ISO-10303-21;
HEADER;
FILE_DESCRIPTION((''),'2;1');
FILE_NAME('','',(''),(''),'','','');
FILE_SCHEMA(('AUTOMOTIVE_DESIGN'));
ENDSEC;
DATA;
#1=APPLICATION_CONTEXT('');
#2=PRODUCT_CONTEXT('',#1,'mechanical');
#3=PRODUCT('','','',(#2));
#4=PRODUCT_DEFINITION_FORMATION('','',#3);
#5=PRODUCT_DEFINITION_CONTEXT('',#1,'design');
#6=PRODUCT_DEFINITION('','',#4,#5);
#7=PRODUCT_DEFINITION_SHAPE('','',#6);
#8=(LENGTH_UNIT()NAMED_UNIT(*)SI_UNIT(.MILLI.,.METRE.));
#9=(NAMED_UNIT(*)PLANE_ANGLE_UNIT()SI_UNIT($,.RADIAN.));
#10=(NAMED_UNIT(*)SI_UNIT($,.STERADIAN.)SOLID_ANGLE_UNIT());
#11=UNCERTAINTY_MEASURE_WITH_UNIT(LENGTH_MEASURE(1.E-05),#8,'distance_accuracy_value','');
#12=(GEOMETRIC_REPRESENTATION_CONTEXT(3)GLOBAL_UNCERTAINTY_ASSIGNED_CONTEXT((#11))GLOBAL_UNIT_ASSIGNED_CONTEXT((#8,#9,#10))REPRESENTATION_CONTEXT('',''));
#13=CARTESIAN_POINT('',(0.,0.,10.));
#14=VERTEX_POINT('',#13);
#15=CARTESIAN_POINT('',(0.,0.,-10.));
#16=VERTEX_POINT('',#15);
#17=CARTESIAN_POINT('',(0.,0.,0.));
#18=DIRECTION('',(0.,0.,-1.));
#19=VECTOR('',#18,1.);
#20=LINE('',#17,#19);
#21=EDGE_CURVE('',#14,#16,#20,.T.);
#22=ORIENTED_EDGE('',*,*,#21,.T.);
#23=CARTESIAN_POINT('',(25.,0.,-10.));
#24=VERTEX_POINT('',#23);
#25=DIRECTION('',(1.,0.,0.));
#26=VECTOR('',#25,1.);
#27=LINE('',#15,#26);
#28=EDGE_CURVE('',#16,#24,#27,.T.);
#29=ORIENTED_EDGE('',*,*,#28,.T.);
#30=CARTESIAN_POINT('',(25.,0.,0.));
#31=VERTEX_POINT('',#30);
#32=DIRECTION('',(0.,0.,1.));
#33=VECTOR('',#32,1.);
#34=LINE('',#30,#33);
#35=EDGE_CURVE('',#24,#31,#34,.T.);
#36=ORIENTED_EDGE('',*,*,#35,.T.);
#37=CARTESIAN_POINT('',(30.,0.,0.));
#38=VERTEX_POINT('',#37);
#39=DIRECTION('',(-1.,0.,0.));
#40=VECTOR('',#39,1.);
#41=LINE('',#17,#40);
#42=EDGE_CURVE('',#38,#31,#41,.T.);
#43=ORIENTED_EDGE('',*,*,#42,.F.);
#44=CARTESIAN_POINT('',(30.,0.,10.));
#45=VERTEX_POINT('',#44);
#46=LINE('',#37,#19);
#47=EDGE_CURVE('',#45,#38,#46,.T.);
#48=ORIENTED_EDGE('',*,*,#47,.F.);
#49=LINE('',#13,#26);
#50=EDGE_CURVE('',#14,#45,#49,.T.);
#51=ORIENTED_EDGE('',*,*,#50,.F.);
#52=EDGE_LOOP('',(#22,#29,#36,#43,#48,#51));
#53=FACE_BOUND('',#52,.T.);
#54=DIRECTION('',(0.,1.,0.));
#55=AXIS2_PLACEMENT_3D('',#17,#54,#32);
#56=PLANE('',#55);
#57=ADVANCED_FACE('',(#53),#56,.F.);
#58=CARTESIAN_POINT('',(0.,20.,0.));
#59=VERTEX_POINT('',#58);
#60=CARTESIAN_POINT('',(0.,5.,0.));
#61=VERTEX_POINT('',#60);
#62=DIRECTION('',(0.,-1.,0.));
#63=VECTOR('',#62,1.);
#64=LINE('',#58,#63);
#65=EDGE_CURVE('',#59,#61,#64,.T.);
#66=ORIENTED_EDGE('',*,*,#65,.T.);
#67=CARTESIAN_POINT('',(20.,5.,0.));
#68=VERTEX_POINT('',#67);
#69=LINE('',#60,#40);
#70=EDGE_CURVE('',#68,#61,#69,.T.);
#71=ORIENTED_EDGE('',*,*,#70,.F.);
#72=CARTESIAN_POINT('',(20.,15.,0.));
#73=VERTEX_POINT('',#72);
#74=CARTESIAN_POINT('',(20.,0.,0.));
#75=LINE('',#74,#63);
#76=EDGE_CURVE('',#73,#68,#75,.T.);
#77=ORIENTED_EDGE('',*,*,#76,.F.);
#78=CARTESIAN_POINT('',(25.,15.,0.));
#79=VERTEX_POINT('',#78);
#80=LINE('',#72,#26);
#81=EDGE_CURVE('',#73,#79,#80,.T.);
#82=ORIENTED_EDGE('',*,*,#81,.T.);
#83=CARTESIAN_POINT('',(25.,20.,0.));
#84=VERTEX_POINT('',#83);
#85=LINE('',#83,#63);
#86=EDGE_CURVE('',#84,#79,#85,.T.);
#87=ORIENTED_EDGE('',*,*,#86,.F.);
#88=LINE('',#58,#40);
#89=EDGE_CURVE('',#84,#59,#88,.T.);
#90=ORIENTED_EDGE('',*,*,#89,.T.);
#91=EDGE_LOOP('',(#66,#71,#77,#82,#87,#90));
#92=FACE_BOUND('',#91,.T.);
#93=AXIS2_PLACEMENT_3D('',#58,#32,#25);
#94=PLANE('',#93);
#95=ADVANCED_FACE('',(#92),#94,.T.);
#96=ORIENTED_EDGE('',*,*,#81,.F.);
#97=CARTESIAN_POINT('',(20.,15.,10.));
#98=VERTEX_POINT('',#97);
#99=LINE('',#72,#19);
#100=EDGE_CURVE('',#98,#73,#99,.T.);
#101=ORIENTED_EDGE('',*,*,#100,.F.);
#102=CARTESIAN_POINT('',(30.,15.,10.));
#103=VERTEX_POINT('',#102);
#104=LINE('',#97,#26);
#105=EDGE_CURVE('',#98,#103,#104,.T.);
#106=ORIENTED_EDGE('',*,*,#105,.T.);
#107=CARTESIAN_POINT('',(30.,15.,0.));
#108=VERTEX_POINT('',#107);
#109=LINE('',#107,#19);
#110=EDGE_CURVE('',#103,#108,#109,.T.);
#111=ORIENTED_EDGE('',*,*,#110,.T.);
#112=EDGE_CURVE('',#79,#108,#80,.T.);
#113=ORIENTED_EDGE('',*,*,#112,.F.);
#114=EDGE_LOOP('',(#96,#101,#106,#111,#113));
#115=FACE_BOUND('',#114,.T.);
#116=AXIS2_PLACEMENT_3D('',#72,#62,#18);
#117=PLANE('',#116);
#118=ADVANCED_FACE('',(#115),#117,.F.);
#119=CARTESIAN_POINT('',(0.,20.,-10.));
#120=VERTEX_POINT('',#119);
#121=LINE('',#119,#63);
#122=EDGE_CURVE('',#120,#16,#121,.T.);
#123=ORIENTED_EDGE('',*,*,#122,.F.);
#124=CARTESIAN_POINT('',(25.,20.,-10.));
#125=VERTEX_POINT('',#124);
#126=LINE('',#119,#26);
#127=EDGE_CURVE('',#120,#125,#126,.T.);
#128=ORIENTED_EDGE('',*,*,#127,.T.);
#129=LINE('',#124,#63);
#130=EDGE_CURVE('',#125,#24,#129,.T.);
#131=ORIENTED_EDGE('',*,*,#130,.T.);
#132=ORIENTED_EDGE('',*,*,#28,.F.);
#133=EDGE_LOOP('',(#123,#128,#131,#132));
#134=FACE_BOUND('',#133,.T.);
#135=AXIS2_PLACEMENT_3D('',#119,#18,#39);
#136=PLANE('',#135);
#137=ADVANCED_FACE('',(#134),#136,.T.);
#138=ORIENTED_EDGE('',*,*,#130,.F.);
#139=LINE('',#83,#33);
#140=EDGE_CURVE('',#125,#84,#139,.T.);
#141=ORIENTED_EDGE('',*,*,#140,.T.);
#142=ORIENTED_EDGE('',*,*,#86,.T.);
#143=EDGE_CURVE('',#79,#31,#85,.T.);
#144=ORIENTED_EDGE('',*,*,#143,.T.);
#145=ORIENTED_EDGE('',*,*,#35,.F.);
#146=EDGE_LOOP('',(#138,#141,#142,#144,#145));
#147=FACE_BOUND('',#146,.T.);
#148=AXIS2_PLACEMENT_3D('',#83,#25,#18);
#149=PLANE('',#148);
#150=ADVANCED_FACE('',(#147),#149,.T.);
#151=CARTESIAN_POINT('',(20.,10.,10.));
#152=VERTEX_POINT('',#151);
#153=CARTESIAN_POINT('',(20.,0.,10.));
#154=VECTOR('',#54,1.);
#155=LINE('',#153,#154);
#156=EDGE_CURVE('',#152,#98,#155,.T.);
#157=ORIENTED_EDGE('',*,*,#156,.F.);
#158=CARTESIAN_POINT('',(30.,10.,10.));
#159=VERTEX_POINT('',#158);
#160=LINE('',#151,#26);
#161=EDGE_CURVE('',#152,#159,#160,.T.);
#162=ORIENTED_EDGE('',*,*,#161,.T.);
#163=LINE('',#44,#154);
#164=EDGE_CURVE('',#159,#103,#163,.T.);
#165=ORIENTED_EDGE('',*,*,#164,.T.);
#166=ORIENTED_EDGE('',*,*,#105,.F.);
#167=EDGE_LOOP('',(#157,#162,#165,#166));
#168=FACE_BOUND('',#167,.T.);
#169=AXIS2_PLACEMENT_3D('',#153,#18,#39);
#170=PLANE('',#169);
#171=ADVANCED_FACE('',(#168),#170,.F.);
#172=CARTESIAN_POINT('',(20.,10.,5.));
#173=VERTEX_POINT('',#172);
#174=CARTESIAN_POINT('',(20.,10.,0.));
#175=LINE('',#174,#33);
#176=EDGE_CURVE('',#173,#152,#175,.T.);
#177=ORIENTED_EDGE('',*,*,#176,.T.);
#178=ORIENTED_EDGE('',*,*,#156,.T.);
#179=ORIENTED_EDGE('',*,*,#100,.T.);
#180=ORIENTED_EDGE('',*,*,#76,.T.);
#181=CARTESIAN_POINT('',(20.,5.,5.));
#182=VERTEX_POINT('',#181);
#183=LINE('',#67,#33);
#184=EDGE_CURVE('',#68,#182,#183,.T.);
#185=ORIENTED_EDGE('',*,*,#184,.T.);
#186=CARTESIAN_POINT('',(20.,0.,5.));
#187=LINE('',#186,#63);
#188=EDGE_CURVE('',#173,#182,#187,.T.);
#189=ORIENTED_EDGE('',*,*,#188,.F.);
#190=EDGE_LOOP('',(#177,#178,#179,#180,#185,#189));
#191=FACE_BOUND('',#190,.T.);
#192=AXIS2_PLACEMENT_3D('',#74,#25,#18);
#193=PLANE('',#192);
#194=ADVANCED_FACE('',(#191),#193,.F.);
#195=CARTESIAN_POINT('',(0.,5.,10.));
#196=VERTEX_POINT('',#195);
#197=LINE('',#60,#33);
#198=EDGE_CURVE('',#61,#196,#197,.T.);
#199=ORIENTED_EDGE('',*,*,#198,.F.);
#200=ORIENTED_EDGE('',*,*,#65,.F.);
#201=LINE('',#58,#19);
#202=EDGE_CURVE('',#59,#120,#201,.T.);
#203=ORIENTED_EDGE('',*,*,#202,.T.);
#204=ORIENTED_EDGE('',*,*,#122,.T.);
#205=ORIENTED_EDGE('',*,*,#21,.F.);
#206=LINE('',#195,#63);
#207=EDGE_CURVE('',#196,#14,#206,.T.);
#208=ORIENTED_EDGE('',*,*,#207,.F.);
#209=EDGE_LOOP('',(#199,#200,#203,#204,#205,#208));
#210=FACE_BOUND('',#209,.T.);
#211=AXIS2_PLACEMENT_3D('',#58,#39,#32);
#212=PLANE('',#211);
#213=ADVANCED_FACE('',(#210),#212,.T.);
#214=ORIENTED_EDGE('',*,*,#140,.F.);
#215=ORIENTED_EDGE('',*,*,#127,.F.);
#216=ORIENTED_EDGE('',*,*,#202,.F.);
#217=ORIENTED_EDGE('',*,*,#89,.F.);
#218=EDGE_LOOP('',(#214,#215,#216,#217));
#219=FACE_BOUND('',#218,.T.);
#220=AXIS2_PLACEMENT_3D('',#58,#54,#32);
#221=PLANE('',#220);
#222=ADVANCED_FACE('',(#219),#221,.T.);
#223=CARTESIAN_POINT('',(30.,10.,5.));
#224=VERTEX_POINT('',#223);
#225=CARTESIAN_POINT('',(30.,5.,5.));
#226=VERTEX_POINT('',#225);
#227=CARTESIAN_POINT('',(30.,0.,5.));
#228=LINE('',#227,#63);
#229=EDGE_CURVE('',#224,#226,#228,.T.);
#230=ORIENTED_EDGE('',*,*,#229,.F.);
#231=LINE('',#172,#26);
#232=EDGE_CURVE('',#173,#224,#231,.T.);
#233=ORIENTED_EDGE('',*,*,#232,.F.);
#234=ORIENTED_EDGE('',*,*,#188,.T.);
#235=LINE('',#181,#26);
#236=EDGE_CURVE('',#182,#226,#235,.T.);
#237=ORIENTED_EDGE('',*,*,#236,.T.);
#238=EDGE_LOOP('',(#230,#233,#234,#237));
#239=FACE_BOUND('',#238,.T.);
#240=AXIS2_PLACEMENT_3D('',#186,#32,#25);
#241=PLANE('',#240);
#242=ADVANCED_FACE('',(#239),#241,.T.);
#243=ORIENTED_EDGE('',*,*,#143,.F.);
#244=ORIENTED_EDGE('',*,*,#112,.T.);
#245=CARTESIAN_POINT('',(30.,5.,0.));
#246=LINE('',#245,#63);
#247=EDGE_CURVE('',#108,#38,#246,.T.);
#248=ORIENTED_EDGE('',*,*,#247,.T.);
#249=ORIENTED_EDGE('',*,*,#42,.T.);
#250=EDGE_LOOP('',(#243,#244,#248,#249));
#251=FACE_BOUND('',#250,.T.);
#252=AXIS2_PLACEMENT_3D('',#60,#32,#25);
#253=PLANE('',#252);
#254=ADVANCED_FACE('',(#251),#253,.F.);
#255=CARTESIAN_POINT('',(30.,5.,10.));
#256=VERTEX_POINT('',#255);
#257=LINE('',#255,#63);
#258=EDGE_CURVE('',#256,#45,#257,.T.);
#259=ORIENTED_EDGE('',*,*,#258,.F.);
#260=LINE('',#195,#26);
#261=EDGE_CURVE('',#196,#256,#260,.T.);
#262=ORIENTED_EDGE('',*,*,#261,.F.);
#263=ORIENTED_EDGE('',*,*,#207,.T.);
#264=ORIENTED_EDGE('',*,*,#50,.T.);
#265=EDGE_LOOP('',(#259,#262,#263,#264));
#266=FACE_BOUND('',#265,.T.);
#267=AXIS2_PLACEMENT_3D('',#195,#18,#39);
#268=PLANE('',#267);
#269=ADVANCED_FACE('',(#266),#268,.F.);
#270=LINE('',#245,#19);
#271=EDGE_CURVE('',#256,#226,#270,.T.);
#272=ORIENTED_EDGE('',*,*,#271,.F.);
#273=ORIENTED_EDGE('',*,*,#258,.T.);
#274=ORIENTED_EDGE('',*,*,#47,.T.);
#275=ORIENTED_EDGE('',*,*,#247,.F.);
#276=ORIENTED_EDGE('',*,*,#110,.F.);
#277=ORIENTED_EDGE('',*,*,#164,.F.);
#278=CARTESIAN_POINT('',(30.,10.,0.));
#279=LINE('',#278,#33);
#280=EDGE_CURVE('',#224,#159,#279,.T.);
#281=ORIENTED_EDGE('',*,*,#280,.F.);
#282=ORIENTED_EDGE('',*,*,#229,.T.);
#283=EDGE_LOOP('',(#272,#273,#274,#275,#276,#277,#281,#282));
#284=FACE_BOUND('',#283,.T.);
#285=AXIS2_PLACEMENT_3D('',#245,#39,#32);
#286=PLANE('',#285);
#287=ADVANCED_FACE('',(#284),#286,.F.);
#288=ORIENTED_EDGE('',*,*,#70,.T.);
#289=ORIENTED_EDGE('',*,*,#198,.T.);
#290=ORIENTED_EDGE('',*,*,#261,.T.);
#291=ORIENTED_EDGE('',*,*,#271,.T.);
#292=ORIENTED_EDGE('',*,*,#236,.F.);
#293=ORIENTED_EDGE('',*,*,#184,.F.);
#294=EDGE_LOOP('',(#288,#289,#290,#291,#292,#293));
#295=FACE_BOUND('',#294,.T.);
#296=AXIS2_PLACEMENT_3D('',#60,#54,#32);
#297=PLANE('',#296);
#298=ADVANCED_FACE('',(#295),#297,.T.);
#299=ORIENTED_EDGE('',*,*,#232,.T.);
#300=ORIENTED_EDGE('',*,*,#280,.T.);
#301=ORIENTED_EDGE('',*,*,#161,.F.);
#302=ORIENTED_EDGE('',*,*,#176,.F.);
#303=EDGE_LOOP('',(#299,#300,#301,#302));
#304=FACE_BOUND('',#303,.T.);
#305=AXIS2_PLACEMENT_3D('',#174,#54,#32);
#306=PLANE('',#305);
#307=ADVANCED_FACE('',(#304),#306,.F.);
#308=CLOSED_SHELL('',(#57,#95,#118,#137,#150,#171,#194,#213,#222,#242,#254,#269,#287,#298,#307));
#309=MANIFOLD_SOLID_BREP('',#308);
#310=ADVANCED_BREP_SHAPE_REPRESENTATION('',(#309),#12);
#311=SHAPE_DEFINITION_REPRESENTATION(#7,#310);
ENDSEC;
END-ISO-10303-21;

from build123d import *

# Parameters (mm, degrees)
SKETCH_1_W      = 25
SKETCH_1_H      = 10
EXTRUDE_1_DEPTH = 20
EXTRUDE_2_DEPTH = 5
EXTRUDE_3_DEPTH = 10


with BuildPart() as part:
    # 草圖1 → 填料-伸長1 (new body)
    with BuildSketch(Plane(origin=(0, 0, 0), x_dir=(1, 0, 0), z_dir=(0, 1, 0))):
        with Locations((12.5, 5)):
            Rectangle(SKETCH_1_W, SKETCH_1_H)
    extrude(amount=EXTRUDE_1_DEPTH)

    # 草圖1<3> → 填料-伸長2 (add)
    with BuildSketch(Plane(origin=(0, 0, 0), x_dir=(1, 0, 0), z_dir=(0, 1, 0))):
        Polygon((25, 0), (0, 0), (0, -10), (30, -10), (30, 0), align=None)
    extrude(amount=EXTRUDE_2_DEPTH)

    # 草圖2 → 填料-伸長3 (add)
    with BuildSketch(Plane(origin=(30, 0, 0), x_dir=(0, 0, -1), z_dir=(1, 0, 0))):
        Polygon((-5, 5), (0, 5), (0, 11.350931175), (0, 15), (-10, 15), (-10, 10), (-5, 10), align=None)
    extrude(amount=-EXTRUDE_3_DEPTH)


solid = part.part
